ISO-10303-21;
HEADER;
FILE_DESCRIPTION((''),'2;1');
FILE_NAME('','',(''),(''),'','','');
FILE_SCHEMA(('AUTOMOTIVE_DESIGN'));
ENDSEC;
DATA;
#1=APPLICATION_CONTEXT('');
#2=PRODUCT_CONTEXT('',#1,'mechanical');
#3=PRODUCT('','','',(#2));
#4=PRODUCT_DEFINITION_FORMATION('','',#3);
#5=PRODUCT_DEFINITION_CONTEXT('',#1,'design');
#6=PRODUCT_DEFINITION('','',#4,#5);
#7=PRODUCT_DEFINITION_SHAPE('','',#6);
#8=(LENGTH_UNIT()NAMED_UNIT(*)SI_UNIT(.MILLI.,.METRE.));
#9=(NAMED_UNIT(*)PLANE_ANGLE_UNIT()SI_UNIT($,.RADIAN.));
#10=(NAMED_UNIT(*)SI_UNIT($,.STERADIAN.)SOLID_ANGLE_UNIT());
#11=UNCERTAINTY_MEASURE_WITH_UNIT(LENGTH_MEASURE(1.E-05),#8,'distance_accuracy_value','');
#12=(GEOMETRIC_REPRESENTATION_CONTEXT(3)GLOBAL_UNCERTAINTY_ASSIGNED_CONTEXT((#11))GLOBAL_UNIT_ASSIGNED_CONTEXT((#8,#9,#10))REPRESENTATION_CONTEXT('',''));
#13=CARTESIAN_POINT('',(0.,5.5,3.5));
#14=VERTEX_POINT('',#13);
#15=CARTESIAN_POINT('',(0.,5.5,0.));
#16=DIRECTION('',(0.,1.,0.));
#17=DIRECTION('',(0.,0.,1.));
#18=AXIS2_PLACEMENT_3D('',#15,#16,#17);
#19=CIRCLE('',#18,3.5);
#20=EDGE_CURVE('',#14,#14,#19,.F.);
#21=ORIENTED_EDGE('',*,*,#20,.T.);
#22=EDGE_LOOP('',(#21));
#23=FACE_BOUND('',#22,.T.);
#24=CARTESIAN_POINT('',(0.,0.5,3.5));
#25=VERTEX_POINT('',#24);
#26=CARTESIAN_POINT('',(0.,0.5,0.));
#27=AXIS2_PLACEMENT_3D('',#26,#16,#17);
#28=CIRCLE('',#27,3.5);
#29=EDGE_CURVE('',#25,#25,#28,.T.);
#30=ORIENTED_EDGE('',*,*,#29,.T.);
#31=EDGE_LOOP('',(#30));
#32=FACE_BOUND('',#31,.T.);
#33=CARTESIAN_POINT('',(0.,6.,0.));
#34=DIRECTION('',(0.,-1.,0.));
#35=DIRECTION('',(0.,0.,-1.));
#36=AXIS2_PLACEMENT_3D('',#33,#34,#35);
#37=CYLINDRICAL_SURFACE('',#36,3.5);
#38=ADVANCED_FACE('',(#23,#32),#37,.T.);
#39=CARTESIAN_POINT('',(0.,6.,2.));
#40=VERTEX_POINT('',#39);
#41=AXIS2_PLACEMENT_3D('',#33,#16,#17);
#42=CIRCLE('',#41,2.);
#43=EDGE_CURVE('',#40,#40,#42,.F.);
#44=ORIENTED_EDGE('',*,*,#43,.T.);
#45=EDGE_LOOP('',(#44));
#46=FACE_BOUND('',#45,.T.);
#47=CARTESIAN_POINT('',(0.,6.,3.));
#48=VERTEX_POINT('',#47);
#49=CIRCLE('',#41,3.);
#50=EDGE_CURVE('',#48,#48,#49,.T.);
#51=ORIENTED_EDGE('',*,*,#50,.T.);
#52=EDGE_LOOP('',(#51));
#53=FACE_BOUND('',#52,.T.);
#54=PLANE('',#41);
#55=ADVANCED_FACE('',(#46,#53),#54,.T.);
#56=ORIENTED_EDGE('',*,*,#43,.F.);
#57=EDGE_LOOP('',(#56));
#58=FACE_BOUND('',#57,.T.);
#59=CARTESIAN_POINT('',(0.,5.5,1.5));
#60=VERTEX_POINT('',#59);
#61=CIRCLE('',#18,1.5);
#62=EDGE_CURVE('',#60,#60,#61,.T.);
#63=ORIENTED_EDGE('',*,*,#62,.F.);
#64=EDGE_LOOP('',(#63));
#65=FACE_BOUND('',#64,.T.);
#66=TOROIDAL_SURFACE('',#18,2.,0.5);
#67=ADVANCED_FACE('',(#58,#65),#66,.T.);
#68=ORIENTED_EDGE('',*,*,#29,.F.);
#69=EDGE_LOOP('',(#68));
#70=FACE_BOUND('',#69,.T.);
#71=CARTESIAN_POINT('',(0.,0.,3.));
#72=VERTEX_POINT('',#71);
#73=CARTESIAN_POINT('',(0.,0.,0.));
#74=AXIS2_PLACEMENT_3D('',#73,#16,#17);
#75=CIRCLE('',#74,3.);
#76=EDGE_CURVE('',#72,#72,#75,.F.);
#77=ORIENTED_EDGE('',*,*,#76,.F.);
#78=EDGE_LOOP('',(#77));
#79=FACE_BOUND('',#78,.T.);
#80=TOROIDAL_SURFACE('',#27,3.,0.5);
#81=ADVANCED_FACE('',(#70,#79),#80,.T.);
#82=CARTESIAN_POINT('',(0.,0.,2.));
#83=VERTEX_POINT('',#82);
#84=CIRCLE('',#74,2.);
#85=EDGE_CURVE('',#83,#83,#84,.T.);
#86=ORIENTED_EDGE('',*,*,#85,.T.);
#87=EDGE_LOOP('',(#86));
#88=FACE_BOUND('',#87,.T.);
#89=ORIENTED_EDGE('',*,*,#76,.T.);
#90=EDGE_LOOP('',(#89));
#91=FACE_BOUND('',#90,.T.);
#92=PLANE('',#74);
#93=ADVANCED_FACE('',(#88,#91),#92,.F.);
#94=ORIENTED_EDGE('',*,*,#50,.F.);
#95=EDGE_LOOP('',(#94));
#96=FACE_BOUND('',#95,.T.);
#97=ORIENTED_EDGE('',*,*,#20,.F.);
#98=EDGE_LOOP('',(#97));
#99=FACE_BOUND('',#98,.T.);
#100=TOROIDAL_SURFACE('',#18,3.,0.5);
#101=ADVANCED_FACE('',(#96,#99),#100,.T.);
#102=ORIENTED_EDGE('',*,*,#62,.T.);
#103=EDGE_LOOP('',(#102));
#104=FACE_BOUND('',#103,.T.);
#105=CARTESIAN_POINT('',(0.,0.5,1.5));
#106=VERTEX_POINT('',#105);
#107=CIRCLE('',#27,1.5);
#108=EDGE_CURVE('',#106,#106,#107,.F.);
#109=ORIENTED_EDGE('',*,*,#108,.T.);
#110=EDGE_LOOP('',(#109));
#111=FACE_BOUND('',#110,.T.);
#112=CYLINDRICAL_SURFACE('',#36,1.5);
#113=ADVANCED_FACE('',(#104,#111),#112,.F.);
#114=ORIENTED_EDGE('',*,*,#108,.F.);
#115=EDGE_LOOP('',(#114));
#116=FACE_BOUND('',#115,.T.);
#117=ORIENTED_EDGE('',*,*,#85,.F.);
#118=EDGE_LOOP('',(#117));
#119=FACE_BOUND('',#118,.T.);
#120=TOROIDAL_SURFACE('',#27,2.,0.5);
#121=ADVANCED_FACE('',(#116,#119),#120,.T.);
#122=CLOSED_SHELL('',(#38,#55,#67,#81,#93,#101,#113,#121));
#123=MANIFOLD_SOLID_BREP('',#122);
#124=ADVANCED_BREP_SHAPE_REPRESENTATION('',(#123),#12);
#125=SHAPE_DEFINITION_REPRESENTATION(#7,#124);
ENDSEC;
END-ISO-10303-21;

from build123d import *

# Parameters (mm, degrees)
SKETCH1_R           = 3.5
SKETCH1_R_2         = 1.5
BOSS_EXTRUDE1_DEPTH = 6
FILLET1_R           = 0.5


with BuildPart() as part:
    # Sketch1 → Boss-Extrude1 (new body)
    with BuildSketch(Plane(origin=(0, 0, 0), x_dir=(1, 0, 0), z_dir=(0, 1, 0))):
        with Locations(Location((0, 0, 0), (0, 0, 270))):
            Circle(SKETCH1_R)
        with Locations(Location((0, 0, 0), (0, 0, 270))):
            Circle(SKETCH1_R_2, mode=Mode.SUBTRACT)
    extrude(amount=BOSS_EXTRUDE1_DEPTH)

    # Fillet1
    fillet1_edges = [part.edges().sort_by_distance(p)[0] for p in [
        (0, 0, -3.5),
        (0, 6, -3.5),
        (0, 0, -1.5),
        (0, 6, -1.5),
    ]]
    fillet(fillet1_edges, radius=FILLET1_R)


solid = part.part
